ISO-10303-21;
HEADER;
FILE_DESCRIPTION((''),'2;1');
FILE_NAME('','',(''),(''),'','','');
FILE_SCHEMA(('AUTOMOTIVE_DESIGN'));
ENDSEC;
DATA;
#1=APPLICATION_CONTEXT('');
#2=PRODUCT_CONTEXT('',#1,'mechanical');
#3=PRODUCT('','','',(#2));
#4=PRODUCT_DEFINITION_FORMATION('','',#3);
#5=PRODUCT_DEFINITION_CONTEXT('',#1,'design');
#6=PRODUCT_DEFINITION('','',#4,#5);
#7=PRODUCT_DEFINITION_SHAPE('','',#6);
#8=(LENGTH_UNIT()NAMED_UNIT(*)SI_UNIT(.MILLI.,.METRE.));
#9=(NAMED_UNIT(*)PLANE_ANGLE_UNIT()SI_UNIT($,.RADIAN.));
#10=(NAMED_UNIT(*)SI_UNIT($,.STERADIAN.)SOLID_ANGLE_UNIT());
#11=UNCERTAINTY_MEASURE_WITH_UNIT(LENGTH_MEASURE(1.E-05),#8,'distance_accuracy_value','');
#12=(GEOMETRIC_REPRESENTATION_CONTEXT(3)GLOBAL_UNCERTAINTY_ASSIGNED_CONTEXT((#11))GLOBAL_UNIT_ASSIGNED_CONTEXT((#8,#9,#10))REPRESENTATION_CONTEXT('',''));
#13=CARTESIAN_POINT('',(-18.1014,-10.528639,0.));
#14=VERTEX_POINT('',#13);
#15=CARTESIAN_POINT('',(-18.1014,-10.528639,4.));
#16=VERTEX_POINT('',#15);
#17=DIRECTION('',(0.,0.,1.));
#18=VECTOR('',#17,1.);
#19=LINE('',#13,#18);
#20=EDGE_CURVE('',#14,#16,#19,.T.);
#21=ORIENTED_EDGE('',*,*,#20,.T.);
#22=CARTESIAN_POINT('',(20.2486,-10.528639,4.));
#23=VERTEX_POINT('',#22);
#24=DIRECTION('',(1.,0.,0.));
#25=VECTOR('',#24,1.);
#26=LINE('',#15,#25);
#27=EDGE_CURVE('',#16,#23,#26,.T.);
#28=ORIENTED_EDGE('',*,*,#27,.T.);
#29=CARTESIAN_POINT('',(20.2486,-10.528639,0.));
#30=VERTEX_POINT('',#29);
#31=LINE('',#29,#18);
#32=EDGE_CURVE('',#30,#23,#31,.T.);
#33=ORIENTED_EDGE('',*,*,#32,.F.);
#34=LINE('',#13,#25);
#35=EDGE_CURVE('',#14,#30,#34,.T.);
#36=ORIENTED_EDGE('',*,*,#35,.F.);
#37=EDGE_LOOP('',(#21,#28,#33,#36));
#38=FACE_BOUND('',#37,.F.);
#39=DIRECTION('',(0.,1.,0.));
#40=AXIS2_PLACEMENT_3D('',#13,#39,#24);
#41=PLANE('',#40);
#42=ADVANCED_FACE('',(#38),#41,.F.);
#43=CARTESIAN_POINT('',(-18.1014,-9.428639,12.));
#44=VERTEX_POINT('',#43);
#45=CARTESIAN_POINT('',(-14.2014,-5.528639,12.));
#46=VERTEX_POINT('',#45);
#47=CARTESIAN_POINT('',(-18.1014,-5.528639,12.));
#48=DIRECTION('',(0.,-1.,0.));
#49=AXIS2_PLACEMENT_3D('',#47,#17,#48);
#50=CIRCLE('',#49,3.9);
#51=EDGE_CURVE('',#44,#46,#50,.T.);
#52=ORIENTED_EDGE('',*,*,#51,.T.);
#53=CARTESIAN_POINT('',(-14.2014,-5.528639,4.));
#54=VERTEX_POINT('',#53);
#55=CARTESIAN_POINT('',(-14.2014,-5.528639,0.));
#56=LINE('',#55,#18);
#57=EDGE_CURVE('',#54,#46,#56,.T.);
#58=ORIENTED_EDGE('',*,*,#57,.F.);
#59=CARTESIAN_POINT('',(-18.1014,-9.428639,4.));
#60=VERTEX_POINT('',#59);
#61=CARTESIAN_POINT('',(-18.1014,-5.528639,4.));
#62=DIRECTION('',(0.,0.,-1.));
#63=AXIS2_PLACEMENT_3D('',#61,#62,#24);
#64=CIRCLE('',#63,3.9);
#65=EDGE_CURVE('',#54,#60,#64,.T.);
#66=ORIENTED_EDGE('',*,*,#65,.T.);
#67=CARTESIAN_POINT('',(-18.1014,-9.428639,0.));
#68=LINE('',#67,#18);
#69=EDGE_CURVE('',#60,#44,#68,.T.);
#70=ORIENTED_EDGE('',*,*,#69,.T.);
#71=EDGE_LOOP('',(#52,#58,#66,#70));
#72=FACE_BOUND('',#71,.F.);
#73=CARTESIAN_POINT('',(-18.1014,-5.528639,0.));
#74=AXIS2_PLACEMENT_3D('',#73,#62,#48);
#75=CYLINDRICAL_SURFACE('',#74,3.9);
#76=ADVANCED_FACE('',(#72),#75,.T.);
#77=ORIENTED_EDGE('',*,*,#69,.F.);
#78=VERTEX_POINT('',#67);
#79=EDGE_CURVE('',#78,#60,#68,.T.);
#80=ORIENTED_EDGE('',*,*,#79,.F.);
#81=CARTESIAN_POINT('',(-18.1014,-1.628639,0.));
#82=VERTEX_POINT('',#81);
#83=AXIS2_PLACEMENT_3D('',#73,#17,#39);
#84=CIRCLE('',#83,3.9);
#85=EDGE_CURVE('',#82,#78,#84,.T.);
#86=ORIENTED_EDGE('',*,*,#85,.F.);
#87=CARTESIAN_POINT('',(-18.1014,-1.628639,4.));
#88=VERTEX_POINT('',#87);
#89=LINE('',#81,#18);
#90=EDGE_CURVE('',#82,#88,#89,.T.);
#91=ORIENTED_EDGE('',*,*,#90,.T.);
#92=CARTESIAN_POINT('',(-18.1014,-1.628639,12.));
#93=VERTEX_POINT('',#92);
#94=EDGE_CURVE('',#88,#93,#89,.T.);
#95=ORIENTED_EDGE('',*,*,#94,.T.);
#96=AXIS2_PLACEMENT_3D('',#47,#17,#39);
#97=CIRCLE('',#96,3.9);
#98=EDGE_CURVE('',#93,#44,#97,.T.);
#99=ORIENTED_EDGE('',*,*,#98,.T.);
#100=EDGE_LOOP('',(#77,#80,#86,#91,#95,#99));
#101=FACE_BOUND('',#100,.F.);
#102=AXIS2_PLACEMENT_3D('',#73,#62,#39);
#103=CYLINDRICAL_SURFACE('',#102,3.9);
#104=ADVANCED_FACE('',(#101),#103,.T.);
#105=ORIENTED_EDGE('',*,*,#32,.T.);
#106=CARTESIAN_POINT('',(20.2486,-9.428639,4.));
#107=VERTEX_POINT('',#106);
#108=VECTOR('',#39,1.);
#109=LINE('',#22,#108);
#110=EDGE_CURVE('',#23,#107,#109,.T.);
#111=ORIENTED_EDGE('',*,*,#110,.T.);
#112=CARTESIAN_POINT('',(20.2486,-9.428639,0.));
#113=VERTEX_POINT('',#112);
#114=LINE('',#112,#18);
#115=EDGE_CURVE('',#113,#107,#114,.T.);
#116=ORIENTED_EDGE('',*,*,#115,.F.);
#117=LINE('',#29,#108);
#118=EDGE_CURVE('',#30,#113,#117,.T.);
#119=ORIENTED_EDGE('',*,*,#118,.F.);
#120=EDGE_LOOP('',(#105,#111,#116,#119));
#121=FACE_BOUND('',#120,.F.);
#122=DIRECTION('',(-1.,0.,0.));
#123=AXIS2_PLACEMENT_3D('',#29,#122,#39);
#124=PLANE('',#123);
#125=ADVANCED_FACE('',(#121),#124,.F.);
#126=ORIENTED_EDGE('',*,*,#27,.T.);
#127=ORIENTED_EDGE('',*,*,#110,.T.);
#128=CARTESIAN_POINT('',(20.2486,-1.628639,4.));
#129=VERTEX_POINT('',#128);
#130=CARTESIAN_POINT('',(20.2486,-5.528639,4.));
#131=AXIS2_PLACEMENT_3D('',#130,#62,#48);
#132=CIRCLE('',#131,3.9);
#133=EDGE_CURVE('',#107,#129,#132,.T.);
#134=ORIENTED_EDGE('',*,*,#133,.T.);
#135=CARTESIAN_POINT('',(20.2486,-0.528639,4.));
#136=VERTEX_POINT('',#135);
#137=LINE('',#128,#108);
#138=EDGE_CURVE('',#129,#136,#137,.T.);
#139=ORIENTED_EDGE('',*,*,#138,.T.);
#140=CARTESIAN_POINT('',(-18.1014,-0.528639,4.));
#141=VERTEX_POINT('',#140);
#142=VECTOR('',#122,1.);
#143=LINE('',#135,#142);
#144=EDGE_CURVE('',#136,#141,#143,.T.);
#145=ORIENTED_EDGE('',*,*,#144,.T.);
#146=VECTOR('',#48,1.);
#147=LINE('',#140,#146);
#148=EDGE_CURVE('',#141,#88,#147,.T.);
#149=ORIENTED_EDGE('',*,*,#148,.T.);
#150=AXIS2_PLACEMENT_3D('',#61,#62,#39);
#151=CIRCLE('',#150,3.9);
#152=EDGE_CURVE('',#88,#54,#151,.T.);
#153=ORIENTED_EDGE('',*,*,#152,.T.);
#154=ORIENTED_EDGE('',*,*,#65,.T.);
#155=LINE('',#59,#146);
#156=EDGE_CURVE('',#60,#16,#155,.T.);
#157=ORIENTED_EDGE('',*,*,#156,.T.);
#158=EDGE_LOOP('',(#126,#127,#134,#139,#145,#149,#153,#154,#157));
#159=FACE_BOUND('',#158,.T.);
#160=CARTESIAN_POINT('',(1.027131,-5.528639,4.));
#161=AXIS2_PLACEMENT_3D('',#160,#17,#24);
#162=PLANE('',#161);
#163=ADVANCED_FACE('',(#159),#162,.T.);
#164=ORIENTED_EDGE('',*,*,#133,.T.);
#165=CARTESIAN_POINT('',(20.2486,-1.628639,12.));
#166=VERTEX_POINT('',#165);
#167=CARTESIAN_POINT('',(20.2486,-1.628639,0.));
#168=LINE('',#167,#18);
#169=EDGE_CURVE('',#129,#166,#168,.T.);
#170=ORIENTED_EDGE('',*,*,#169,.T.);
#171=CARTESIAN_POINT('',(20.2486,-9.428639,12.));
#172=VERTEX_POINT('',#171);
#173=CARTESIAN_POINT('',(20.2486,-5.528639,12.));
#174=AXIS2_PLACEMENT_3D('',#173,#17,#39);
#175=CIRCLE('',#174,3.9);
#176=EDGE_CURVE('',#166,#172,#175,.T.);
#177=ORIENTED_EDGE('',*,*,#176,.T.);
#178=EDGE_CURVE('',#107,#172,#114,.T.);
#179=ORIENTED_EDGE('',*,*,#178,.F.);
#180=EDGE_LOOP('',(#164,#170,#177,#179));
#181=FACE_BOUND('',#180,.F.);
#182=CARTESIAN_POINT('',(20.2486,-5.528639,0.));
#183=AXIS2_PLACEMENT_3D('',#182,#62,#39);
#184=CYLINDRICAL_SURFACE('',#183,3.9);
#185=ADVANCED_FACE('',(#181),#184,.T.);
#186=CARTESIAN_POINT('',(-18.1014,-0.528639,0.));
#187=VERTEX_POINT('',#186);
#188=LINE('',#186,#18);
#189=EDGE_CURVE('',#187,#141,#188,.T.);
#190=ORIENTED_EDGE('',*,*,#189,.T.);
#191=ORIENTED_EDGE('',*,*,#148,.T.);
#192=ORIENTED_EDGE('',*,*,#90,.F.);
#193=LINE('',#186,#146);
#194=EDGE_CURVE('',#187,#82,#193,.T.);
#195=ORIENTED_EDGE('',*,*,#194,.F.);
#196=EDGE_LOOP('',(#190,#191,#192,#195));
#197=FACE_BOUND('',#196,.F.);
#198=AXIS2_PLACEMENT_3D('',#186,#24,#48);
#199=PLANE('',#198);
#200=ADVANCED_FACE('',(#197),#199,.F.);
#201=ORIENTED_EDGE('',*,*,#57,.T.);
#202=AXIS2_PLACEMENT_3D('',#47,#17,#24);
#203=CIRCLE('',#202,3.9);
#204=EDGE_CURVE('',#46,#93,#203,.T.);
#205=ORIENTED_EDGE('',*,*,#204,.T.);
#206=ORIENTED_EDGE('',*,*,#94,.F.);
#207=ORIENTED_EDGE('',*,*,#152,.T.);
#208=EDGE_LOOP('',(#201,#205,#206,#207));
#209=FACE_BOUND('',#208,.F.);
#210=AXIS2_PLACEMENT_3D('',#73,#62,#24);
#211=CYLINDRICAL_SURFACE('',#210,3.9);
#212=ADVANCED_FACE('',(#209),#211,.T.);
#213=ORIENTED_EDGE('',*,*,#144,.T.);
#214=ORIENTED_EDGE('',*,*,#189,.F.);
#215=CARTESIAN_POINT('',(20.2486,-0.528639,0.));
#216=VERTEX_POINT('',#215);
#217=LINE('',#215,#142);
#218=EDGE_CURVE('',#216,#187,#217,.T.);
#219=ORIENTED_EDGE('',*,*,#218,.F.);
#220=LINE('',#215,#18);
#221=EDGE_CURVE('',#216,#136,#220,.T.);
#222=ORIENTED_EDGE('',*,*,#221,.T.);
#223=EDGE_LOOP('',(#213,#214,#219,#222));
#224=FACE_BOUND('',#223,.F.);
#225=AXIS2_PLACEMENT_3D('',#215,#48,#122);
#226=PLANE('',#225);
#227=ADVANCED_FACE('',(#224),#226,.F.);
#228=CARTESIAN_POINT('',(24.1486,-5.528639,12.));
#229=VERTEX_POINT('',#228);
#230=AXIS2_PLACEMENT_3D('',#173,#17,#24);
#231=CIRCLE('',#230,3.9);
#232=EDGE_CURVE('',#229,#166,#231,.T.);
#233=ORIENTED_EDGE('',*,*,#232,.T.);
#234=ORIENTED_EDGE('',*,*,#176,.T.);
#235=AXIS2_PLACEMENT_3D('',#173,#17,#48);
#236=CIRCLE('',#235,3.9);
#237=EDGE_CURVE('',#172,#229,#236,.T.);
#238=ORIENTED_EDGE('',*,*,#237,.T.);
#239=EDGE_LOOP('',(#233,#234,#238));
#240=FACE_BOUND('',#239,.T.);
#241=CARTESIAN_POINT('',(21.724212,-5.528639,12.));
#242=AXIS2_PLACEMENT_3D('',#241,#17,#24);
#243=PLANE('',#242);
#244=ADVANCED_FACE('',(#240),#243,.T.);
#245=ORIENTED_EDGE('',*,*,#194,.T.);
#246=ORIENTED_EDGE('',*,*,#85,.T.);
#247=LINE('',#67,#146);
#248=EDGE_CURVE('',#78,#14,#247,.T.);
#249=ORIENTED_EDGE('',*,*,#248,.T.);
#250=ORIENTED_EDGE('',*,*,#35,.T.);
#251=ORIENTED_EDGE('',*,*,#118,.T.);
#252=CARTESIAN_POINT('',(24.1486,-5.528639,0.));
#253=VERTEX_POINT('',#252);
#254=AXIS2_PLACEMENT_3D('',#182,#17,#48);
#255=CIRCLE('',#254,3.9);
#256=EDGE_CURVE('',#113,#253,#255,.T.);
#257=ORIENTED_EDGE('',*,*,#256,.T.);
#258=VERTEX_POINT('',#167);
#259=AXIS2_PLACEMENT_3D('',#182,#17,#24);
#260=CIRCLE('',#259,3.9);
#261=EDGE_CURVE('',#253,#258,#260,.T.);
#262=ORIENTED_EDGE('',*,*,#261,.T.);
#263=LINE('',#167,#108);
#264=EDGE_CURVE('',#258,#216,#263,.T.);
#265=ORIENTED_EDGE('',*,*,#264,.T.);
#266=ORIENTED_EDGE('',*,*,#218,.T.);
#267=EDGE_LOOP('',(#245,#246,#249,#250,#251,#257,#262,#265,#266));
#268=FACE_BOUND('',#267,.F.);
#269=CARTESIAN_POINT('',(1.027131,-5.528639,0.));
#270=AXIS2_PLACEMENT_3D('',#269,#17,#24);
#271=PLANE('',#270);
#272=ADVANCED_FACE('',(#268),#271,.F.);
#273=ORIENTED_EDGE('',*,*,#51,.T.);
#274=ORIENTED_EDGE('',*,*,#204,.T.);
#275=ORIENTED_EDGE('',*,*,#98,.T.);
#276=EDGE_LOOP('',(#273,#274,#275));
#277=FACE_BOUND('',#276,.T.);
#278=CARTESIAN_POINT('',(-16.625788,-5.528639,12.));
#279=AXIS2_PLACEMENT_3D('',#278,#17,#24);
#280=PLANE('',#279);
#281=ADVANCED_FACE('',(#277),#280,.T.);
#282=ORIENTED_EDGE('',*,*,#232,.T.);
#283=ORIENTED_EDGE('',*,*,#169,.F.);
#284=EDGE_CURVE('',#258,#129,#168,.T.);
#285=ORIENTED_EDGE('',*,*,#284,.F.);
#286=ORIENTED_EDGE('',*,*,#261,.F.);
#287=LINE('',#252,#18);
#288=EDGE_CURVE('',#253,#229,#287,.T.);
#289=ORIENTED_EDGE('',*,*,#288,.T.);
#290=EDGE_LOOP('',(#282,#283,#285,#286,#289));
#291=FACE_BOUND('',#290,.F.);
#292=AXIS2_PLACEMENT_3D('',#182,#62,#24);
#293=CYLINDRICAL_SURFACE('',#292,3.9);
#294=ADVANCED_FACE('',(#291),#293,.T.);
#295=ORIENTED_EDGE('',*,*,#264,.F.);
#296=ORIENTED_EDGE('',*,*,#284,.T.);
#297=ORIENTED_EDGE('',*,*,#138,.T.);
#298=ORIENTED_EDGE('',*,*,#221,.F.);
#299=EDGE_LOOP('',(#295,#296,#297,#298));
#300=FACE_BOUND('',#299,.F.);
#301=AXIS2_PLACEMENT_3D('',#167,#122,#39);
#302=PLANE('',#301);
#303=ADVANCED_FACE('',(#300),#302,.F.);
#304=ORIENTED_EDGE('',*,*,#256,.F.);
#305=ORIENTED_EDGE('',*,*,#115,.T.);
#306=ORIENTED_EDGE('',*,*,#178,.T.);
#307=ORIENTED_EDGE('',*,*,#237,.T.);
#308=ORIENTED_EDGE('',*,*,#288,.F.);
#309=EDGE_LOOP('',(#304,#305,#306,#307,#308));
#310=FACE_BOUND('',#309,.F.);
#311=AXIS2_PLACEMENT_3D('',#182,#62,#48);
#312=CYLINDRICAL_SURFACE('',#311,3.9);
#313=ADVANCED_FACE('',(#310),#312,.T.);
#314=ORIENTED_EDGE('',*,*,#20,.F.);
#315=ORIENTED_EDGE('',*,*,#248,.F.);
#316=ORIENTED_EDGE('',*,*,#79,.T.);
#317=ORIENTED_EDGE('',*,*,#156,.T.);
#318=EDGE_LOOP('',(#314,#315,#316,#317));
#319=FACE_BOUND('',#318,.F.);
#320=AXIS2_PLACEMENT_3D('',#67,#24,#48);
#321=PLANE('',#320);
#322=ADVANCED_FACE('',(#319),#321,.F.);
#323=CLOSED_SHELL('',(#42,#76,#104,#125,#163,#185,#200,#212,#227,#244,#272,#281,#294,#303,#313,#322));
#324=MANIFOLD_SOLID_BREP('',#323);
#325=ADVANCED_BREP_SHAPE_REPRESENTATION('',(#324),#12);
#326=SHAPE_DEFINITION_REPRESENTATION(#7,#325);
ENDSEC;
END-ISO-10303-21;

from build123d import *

# Parameters (mm, degrees)
F1_DEPTH = 12
F2_DEPTH = 4


with BuildPart() as f1:
    # F0 (on Top) → F1 (new body)
    with BuildSketch(Plane.XY):
        with BuildLine():
            ThreePointArc((-14.2014003754, -5.5286388661), (-15.3436839287, -2.7709224195), (-18.1014003754, -1.6286388661))
            Line((-18.1014003754, -1.6286388661), (-18.1014003754, -9.4286388661))
            ThreePointArc((-18.1014003754, -9.4286388661), (-15.3436839287, -8.2863553127), (-14.2014003754, -5.5286388661))
        make_face()
        with BuildLine():
            Line((-18.1014003754, -9.4286388661), (-18.1014003754, -1.6286388661))
            ThreePointArc((-18.1014003754, -1.6286388661), (-22.0014003754, -5.5286388661), (-18.1014003754, -9.4286388661))
        make_face()
    extrude(amount=F1_DEPTH)



with BuildPart() as f1b:
    # F0 (on Top) → F1, piece 2 (new body)
    with BuildSketch(Plane.XY):
        with BuildLine():
            ThreePointArc((24.1485996246, -5.5286388661), (23.0063160713, -2.7709224195), (20.2485996246, -1.6286388661))
            Line((20.2485996246, -1.6286388661), (20.2485996246, -9.4286388661))
            ThreePointArc((20.2485996246, -9.4286388661), (23.0063160713, -8.2863553127), (24.1485996246, -5.5286388661))
        make_face()
        with BuildLine():
            Line((20.2485996246, -9.4286388661), (20.2485996246, -1.6286388661))
            ThreePointArc((20.2485996246, -1.6286388661), (16.3485996246, -5.5286388661), (20.2485996246, -9.4286388661))
        make_face()
    extrude(amount=F1_DEPTH)


with BuildPart() as f1_1:
    add(f1.part)

    add(f1b.part)  # F2 merges F1b
    # F0 (on Top) → F2 (join)
    with BuildSketch(Plane.XY):
        with BuildLine():
            Line((20.2485996246, -0.5286388661), (-18.1014003754, -0.5286388661))
            Line((-18.1014003754, -0.5286388661), (-18.1014003754, -1.6286388661))
            ThreePointArc((-18.1014003754, -1.6286388661), (-15.3436839287, -2.7709224195), (-14.2014003754, -5.5286388661))
            ThreePointArc((-14.2014003754, -5.5286388661), (-15.3436839287, -8.2863553127), (-18.1014003754, -9.4286388661))
            Line((-18.1014003754, -9.4286388661), (-18.1014003754, -10.5286388661))
            Line((-18.1014003754, -10.5286388661), (20.2485996246, -10.5286388661))
            Line((20.2485996246, -10.5286388661), (20.2485996246, -9.4286388661))
            ThreePointArc((20.2485996246, -9.4286388661), (16.3485996246, -5.5286388661), (20.2485996246, -1.6286388661))
            Line((20.2485996246, -1.6286388661), (20.2485996246, -0.5286388661))
        make_face()
    extrude(amount=F2_DEPTH)


solid = f1_1.part
